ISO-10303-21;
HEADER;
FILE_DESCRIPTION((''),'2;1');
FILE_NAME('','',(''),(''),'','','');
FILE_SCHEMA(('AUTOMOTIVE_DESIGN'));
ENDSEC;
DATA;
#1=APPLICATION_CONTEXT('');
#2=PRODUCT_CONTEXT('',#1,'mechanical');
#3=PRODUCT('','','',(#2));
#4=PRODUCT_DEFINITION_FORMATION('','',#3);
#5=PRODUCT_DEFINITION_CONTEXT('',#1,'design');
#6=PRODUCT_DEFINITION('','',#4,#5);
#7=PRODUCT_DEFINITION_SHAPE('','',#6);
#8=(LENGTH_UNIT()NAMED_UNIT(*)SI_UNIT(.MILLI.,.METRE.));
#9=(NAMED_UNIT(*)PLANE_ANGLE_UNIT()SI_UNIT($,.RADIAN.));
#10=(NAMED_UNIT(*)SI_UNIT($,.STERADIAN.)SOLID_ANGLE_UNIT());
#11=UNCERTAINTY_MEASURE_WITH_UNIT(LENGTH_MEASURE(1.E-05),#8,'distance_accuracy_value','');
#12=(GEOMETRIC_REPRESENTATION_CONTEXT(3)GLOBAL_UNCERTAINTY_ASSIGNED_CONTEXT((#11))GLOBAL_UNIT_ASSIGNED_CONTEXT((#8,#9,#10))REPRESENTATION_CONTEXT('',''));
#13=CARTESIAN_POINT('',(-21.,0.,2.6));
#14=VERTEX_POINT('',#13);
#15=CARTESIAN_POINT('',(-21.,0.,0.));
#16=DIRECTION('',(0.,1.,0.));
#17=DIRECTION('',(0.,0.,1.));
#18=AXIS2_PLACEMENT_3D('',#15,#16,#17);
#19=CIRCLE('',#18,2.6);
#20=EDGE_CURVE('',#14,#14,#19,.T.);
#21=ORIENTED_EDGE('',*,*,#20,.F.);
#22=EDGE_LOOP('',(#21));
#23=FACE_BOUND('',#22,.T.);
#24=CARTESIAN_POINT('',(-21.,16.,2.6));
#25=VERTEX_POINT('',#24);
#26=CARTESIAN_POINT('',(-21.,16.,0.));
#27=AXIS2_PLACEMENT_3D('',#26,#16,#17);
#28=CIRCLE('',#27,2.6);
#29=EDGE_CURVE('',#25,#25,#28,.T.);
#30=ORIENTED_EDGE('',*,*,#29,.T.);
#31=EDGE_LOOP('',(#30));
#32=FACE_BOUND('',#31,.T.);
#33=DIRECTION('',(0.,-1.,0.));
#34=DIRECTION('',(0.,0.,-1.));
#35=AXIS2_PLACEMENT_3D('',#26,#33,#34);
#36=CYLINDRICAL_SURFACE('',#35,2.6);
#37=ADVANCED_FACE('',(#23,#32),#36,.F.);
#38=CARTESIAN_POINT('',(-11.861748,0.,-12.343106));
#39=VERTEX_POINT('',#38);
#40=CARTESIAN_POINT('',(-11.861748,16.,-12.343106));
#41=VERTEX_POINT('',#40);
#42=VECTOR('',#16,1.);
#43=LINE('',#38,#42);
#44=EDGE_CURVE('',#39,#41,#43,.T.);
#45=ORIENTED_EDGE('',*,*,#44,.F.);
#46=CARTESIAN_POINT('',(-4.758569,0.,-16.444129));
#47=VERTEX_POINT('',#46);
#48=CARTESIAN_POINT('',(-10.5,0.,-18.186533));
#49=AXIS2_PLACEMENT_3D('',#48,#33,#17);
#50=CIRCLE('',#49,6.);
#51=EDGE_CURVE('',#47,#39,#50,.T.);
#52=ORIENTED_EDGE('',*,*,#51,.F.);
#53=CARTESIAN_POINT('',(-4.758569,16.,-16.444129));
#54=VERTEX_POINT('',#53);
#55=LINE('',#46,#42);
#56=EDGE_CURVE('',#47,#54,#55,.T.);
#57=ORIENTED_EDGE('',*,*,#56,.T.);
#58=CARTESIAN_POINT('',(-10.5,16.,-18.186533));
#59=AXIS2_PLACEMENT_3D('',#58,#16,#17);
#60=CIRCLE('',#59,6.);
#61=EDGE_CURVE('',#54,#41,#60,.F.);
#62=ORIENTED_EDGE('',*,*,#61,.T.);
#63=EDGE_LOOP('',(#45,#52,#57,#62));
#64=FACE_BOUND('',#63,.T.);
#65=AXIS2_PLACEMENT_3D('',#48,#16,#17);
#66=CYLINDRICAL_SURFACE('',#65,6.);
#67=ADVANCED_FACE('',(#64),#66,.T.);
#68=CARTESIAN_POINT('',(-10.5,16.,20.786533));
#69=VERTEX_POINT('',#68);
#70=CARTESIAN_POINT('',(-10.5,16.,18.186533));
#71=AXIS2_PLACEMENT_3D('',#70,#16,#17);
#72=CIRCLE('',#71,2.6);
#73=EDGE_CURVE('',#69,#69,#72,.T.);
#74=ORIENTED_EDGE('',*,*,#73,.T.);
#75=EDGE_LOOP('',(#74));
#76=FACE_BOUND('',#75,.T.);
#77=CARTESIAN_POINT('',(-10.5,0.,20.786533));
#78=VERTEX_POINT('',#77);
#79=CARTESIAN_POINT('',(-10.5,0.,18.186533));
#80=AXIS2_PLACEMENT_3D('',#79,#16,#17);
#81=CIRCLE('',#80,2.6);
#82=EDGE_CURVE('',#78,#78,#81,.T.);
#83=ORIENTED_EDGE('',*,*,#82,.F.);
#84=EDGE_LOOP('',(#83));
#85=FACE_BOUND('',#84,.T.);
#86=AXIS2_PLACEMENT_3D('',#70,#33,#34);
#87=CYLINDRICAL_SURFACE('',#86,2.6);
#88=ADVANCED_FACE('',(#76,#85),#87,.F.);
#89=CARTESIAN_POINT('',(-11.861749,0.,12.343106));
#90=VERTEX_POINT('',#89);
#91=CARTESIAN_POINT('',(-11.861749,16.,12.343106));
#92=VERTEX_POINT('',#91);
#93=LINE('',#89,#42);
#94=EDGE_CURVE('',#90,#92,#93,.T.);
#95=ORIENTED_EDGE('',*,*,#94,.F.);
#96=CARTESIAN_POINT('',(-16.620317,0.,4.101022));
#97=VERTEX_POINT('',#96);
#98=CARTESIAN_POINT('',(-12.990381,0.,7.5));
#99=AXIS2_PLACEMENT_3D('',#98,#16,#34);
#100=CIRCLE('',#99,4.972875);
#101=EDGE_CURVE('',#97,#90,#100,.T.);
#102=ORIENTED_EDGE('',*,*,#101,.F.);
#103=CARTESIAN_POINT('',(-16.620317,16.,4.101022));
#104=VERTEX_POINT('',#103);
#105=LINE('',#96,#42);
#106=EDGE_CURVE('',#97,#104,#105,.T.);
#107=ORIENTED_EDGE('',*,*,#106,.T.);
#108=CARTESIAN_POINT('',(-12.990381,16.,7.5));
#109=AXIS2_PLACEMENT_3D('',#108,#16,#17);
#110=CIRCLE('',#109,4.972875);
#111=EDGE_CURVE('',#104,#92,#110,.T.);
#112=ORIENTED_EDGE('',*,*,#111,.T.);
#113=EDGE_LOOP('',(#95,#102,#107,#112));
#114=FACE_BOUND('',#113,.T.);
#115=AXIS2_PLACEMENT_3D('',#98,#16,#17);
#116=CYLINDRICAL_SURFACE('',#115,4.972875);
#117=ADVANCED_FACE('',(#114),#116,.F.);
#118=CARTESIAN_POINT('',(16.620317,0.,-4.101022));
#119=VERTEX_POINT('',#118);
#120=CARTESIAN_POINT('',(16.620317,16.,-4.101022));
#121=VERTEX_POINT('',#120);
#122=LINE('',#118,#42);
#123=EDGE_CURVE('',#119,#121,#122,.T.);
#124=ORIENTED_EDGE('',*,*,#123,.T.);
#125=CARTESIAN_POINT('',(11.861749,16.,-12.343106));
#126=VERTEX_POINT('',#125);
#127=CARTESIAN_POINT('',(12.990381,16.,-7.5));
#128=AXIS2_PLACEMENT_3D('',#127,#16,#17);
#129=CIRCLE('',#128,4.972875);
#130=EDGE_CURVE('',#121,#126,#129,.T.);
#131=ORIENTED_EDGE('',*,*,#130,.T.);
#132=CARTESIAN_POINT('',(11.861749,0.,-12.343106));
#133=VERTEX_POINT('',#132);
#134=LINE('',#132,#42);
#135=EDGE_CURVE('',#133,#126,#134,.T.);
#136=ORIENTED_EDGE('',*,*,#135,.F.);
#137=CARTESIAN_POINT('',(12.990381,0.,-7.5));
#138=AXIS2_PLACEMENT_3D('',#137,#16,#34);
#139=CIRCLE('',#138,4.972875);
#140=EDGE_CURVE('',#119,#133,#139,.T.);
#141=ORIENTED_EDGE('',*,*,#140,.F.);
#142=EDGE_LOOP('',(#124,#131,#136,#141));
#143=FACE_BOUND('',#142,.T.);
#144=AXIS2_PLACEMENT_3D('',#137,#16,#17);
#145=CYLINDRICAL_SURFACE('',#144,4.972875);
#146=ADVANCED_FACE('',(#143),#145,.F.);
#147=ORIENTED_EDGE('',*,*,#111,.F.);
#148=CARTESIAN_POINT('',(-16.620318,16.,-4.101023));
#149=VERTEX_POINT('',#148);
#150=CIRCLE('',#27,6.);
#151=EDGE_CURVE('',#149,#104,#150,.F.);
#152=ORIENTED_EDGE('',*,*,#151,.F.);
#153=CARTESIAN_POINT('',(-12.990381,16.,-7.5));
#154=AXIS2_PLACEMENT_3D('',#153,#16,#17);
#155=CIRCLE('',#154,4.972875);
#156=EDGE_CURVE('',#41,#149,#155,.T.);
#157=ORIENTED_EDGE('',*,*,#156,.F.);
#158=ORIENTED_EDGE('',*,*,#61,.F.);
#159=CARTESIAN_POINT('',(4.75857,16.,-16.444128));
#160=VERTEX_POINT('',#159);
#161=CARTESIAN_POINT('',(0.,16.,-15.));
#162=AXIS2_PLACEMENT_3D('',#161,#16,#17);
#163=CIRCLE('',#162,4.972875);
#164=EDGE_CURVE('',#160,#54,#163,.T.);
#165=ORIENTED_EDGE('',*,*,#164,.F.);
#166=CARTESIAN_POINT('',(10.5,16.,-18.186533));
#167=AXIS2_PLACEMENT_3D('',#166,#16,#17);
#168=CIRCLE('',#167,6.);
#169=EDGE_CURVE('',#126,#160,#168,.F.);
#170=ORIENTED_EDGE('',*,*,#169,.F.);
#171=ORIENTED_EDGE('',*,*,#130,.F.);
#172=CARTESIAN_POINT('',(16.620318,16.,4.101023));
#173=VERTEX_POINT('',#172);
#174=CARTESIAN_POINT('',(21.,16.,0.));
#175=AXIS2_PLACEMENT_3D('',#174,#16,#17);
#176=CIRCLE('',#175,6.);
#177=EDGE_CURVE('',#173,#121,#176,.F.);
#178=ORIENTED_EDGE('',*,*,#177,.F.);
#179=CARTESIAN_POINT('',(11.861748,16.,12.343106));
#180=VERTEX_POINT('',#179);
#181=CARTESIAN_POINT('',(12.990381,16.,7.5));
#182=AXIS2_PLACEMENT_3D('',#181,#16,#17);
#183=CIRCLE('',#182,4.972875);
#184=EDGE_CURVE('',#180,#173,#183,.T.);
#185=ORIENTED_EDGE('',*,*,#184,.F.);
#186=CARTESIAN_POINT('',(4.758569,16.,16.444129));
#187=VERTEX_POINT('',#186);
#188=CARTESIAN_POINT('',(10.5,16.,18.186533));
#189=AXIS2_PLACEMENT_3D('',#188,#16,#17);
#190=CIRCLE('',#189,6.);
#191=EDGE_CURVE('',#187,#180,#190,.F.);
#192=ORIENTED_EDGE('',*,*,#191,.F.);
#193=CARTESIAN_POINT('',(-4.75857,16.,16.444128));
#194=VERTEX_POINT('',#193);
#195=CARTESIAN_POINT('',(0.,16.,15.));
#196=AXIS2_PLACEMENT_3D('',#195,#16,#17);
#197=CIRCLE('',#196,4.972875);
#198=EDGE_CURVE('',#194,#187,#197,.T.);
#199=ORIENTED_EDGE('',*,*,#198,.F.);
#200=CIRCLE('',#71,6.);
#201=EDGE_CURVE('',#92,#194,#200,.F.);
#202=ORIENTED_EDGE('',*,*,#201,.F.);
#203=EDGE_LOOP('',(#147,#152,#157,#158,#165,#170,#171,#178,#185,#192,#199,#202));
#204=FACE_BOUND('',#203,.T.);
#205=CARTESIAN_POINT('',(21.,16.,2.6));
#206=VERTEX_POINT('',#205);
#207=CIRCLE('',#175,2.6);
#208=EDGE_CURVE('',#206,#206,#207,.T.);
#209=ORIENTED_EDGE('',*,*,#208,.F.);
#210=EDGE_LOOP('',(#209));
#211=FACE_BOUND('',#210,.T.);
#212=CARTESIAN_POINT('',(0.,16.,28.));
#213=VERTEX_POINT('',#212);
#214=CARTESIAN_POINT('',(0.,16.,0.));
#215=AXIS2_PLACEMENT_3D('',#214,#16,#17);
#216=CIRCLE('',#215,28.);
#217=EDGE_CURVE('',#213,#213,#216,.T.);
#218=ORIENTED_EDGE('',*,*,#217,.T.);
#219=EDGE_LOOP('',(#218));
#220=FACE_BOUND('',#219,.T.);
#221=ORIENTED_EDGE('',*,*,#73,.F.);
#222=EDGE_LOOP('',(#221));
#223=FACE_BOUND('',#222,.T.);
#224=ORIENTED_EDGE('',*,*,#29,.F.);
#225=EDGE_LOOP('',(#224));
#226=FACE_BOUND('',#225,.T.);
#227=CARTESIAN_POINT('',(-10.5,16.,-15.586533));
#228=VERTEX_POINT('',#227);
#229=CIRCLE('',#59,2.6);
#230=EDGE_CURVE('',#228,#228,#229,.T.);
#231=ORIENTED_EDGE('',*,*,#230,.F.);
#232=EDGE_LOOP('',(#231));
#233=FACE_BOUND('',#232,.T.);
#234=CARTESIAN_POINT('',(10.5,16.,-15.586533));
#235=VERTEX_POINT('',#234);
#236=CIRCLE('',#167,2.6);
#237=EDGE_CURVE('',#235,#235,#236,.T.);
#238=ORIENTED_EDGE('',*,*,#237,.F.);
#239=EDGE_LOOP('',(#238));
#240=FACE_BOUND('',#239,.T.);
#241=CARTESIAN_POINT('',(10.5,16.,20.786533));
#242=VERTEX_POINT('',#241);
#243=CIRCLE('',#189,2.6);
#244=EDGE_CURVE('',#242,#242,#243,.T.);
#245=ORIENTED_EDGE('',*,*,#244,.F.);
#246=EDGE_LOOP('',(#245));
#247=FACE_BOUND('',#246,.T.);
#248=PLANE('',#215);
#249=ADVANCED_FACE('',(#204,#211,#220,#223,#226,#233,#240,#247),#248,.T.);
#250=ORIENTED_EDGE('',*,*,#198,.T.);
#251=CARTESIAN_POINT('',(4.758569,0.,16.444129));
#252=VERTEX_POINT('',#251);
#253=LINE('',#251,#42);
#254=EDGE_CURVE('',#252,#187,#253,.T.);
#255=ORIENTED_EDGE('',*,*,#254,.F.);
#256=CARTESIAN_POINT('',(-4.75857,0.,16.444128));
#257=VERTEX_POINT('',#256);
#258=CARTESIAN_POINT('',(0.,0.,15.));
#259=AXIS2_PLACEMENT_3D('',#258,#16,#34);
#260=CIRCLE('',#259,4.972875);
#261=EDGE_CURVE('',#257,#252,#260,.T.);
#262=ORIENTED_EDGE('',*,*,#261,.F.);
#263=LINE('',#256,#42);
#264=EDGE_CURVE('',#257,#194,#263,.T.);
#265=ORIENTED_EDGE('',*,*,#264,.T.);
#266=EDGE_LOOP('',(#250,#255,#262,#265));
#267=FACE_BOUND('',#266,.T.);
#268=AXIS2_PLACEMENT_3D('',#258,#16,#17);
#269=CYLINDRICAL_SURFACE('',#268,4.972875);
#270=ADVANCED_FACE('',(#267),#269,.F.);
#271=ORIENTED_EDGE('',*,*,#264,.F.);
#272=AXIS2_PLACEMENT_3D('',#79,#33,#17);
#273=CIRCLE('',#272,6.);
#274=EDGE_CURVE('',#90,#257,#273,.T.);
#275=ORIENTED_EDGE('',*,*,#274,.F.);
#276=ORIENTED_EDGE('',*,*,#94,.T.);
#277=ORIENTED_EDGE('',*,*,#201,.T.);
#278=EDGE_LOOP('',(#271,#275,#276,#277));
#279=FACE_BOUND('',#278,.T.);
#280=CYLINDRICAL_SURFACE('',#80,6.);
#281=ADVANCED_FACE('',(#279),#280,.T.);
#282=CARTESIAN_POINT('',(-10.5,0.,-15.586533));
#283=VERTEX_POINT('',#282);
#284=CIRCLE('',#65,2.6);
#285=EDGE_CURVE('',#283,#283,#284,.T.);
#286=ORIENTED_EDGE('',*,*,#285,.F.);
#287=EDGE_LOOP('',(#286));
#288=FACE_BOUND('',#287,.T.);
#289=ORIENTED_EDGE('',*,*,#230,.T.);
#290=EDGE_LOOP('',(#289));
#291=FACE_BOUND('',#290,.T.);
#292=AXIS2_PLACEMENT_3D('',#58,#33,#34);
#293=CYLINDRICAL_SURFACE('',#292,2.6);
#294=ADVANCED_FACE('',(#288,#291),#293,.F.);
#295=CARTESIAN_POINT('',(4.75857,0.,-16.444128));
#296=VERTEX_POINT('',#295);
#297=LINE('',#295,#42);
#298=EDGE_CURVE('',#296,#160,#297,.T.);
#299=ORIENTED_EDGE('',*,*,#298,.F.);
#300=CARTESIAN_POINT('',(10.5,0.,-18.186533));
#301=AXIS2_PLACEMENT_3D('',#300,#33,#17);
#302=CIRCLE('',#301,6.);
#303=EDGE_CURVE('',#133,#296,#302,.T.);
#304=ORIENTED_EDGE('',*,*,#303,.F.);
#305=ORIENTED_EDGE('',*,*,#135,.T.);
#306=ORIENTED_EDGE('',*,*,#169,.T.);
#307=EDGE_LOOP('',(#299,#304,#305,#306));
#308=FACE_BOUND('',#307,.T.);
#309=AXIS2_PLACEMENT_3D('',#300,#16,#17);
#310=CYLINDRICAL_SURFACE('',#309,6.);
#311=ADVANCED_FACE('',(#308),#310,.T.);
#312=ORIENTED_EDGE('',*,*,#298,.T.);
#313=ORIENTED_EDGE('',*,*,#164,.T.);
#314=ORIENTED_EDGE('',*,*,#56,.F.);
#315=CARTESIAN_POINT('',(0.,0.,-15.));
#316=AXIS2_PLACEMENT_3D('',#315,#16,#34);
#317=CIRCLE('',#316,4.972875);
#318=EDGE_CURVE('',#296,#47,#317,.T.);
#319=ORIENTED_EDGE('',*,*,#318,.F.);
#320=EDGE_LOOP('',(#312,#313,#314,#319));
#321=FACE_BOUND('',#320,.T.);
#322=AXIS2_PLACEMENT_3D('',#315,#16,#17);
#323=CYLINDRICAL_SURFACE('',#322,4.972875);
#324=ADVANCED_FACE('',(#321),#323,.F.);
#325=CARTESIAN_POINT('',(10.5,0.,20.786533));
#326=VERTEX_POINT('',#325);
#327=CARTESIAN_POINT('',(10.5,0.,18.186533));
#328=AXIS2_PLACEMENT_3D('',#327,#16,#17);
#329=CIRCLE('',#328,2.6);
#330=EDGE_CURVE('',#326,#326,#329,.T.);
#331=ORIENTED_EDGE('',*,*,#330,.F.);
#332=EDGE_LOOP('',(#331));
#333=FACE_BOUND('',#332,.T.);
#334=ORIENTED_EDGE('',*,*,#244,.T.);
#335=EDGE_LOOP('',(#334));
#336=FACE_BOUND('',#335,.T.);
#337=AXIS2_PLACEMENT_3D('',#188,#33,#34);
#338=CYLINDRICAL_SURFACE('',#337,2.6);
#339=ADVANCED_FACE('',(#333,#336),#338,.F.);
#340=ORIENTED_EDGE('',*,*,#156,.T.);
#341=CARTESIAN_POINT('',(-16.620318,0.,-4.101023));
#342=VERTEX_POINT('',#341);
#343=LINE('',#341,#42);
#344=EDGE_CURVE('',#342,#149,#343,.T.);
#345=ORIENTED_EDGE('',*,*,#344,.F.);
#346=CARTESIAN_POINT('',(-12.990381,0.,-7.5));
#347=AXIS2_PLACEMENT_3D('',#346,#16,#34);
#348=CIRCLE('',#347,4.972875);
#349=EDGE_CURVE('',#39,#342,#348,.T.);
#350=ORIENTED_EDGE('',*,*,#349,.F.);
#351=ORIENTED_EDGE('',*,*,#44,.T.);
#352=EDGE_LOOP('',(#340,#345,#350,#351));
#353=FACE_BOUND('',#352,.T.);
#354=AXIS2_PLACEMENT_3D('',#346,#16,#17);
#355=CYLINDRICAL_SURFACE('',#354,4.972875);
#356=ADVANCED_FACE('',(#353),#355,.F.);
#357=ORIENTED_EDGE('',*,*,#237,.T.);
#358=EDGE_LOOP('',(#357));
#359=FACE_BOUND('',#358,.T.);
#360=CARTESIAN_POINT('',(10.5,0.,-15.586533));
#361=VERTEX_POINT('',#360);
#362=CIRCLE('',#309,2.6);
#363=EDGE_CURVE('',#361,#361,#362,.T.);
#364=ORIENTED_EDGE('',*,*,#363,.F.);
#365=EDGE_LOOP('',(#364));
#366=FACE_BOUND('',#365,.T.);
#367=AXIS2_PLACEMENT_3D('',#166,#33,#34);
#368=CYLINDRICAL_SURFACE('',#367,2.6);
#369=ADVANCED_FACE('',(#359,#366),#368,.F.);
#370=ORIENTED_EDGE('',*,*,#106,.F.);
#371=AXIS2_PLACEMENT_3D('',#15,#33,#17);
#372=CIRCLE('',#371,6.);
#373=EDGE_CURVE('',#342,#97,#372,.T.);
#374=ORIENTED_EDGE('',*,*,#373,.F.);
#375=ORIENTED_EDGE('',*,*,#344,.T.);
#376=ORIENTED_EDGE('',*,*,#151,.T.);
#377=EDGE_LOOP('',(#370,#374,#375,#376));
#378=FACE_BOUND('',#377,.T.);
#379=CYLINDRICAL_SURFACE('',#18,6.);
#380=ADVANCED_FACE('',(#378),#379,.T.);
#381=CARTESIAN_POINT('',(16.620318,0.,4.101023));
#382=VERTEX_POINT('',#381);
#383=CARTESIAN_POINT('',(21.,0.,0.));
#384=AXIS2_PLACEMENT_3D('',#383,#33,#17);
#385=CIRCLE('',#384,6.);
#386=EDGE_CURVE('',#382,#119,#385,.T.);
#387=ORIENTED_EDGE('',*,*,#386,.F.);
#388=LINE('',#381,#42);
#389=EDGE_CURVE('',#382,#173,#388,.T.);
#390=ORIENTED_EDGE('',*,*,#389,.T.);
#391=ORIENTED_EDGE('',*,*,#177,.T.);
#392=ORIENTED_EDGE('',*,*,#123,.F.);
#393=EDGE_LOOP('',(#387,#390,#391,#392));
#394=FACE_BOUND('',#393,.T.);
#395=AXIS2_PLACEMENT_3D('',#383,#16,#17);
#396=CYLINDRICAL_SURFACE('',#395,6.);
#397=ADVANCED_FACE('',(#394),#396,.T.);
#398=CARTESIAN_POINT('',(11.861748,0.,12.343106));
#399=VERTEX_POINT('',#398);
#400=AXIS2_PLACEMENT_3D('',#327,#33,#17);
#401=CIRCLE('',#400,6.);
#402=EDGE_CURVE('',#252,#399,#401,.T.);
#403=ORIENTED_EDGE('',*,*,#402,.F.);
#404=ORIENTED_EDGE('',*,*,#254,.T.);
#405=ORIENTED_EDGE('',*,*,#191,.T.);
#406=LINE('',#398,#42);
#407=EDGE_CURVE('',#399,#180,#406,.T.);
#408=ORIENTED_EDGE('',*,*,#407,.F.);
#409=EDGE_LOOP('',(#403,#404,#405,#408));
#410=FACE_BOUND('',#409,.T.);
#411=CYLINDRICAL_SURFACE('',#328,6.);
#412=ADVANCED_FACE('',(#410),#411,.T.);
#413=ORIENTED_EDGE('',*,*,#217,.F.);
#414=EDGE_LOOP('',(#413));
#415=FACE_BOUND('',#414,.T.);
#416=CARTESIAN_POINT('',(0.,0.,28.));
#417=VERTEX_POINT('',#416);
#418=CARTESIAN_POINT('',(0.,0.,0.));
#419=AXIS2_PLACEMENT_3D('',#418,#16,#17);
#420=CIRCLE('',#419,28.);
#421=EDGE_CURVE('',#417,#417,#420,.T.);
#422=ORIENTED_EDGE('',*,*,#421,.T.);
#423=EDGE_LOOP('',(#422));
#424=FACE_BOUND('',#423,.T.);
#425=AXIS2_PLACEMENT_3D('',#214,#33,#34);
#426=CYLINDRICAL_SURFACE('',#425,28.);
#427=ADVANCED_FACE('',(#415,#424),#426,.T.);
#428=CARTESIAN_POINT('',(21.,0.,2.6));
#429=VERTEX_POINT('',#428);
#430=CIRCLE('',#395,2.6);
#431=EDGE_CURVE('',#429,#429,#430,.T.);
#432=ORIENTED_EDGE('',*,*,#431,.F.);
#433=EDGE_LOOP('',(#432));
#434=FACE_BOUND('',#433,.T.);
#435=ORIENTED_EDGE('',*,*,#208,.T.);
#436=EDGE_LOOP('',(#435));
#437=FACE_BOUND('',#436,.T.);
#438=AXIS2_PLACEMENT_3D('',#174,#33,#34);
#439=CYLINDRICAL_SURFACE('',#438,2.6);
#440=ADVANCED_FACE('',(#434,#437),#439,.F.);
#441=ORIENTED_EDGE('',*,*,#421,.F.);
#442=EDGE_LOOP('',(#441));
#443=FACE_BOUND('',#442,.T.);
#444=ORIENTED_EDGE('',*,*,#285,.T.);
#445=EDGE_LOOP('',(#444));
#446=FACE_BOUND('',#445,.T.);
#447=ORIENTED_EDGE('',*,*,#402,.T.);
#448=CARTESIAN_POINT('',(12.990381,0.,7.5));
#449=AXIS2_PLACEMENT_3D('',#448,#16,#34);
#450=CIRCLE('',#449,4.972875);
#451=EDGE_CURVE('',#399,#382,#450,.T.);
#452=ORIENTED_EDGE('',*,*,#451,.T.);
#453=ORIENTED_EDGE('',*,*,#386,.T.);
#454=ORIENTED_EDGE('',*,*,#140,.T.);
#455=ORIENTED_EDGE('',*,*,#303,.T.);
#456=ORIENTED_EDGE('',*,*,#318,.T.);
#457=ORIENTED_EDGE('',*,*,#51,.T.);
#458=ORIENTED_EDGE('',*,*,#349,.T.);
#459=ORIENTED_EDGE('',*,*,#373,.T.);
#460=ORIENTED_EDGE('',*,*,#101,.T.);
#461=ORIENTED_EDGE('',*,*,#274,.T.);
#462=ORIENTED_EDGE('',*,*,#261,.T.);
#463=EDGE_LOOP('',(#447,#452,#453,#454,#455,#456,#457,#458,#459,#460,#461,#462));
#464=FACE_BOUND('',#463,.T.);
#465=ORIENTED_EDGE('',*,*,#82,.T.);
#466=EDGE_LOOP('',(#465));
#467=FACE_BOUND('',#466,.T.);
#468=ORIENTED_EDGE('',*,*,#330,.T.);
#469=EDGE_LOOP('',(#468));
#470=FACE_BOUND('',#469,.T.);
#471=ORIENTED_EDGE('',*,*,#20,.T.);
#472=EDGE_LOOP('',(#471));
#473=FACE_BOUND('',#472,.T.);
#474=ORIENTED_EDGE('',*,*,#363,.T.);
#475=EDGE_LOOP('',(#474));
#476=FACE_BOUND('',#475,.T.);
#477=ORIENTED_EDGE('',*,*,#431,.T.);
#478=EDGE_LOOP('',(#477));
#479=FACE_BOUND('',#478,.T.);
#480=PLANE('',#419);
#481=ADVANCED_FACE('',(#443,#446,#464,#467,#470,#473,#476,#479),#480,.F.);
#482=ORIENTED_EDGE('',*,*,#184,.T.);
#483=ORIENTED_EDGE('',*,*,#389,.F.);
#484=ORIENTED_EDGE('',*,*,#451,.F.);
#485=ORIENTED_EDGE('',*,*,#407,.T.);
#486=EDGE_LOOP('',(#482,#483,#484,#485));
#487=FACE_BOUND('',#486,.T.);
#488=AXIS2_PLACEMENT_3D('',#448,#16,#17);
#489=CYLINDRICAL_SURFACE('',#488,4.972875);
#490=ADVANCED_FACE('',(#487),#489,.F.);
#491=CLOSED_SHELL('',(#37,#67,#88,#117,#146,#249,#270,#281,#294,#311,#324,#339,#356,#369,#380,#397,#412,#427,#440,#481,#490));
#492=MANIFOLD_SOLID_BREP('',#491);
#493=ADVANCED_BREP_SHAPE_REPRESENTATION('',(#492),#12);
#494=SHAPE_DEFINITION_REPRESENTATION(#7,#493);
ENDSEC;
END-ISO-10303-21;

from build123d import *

# Parameters (mm, degrees)
SKETCH_1_R               = 28
SKETCH_1_R_2             = 2.6
EXTRUDE_1_DEPTH          = 16
CUT_EXTRUDE_2_DEPTH      = 43.708313008
CUT_EXTRUDE_2_DEPTH_BACK = 43.708313008


with BuildPart() as part:
    # 草图1 → 凸台-拉伸1 (new body)
    with BuildSketch(Plane(origin=(0, 0, 0), x_dir=(1, 0, 0), z_dir=(0, 1, 0))):
        with Locations(Location((0, 0, 0), (0, 0, 270))):
            Circle(SKETCH_1_R)
        with Locations(Location((10.5, 18.186533479, 0), (0, 0, 270))):
            Circle(SKETCH_1_R_2, mode=Mode.SUBTRACT)
        with Locations(Location((21, 0, 0), (0, 0, 270))):
            Circle(SKETCH_1_R_2, mode=Mode.SUBTRACT)
        with Locations(Location((10.5, -18.186533479, 0), (0, 0, 270))):
            Circle(SKETCH_1_R_2, mode=Mode.SUBTRACT)
        with Locations(Location((-10.5, -18.186533479, 0), (0, 0, 270))):
            Circle(SKETCH_1_R_2, mode=Mode.SUBTRACT)
        with Locations(Location((-21, 0, 0), (0, 0, 270))):
            Circle(SKETCH_1_R_2, mode=Mode.SUBTRACT)
        with Locations(Location((-10.5, 18.186533479, 0), (0, 0, 270))):
            Circle(SKETCH_1_R_2, mode=Mode.SUBTRACT)
    extrude(amount=EXTRUDE_1_DEPTH)

    # 草图4 → 切除-拉伸2 (cut, two sides: drawn at the far end of the back side and taken through both)
    with BuildSketch(Plane(origin=(0, 16, 0), x_dir=(1, 0, 0), z_dir=(0, 1, 0)).offset(-CUT_EXTRUDE_2_DEPTH_BACK)):
        with BuildLine():
            ThreePointArc((4.758569662, 16.444127766), (7.500000636, 12.99038069), (11.861748987, 12.343106429))
            ThreePointArc((11.861748987, 12.343106429), (17.297017892, 9.986437089), (16.620317219, 4.10102167))
            ThreePointArc((16.620317219, 4.10102167), (15, -7.34e-07), (16.620318223, -4.101022742))
            ThreePointArc((16.620318223, -4.101022742), (17.297017158, -9.98643836), (11.861747557, -12.343106096))
            ThreePointArc((11.861747557, -12.343106096), (7.499999364, -12.990381424), (4.758569235, -16.444129171))
            ThreePointArc((4.758569235, -16.444129171), (-7.34e-07, -19.972875449), (-4.758569662, -16.444127766))
            ThreePointArc((-4.758569662, -16.444127766), (-7.500000636, -12.99038069), (-11.861748987, -12.343106429))
            ThreePointArc((-11.861748987, -12.343106429), (-17.297017892, -9.986437089), (-16.620317219, -4.10102167))
            ThreePointArc((-16.620317219, -4.10102167), (-15, 7.34e-07), (-16.620318223, 4.101022742))
            ThreePointArc((-16.620318223, 4.101022742), (-17.297017158, 9.98643836), (-11.861747557, 12.343106096))
            ThreePointArc((-11.861747557, 12.343106096), (-7.499999364, 12.990381424), (-4.758569235, 16.444129171))
            ThreePointArc((-4.758569235, 16.444129171), (7.34e-07, 19.972875449), (4.758569662, 16.444127766))
        make_face()
    extrude(amount=CUT_EXTRUDE_2_DEPTH + CUT_EXTRUDE_2_DEPTH_BACK, mode=Mode.SUBTRACT)


solid = part.part
